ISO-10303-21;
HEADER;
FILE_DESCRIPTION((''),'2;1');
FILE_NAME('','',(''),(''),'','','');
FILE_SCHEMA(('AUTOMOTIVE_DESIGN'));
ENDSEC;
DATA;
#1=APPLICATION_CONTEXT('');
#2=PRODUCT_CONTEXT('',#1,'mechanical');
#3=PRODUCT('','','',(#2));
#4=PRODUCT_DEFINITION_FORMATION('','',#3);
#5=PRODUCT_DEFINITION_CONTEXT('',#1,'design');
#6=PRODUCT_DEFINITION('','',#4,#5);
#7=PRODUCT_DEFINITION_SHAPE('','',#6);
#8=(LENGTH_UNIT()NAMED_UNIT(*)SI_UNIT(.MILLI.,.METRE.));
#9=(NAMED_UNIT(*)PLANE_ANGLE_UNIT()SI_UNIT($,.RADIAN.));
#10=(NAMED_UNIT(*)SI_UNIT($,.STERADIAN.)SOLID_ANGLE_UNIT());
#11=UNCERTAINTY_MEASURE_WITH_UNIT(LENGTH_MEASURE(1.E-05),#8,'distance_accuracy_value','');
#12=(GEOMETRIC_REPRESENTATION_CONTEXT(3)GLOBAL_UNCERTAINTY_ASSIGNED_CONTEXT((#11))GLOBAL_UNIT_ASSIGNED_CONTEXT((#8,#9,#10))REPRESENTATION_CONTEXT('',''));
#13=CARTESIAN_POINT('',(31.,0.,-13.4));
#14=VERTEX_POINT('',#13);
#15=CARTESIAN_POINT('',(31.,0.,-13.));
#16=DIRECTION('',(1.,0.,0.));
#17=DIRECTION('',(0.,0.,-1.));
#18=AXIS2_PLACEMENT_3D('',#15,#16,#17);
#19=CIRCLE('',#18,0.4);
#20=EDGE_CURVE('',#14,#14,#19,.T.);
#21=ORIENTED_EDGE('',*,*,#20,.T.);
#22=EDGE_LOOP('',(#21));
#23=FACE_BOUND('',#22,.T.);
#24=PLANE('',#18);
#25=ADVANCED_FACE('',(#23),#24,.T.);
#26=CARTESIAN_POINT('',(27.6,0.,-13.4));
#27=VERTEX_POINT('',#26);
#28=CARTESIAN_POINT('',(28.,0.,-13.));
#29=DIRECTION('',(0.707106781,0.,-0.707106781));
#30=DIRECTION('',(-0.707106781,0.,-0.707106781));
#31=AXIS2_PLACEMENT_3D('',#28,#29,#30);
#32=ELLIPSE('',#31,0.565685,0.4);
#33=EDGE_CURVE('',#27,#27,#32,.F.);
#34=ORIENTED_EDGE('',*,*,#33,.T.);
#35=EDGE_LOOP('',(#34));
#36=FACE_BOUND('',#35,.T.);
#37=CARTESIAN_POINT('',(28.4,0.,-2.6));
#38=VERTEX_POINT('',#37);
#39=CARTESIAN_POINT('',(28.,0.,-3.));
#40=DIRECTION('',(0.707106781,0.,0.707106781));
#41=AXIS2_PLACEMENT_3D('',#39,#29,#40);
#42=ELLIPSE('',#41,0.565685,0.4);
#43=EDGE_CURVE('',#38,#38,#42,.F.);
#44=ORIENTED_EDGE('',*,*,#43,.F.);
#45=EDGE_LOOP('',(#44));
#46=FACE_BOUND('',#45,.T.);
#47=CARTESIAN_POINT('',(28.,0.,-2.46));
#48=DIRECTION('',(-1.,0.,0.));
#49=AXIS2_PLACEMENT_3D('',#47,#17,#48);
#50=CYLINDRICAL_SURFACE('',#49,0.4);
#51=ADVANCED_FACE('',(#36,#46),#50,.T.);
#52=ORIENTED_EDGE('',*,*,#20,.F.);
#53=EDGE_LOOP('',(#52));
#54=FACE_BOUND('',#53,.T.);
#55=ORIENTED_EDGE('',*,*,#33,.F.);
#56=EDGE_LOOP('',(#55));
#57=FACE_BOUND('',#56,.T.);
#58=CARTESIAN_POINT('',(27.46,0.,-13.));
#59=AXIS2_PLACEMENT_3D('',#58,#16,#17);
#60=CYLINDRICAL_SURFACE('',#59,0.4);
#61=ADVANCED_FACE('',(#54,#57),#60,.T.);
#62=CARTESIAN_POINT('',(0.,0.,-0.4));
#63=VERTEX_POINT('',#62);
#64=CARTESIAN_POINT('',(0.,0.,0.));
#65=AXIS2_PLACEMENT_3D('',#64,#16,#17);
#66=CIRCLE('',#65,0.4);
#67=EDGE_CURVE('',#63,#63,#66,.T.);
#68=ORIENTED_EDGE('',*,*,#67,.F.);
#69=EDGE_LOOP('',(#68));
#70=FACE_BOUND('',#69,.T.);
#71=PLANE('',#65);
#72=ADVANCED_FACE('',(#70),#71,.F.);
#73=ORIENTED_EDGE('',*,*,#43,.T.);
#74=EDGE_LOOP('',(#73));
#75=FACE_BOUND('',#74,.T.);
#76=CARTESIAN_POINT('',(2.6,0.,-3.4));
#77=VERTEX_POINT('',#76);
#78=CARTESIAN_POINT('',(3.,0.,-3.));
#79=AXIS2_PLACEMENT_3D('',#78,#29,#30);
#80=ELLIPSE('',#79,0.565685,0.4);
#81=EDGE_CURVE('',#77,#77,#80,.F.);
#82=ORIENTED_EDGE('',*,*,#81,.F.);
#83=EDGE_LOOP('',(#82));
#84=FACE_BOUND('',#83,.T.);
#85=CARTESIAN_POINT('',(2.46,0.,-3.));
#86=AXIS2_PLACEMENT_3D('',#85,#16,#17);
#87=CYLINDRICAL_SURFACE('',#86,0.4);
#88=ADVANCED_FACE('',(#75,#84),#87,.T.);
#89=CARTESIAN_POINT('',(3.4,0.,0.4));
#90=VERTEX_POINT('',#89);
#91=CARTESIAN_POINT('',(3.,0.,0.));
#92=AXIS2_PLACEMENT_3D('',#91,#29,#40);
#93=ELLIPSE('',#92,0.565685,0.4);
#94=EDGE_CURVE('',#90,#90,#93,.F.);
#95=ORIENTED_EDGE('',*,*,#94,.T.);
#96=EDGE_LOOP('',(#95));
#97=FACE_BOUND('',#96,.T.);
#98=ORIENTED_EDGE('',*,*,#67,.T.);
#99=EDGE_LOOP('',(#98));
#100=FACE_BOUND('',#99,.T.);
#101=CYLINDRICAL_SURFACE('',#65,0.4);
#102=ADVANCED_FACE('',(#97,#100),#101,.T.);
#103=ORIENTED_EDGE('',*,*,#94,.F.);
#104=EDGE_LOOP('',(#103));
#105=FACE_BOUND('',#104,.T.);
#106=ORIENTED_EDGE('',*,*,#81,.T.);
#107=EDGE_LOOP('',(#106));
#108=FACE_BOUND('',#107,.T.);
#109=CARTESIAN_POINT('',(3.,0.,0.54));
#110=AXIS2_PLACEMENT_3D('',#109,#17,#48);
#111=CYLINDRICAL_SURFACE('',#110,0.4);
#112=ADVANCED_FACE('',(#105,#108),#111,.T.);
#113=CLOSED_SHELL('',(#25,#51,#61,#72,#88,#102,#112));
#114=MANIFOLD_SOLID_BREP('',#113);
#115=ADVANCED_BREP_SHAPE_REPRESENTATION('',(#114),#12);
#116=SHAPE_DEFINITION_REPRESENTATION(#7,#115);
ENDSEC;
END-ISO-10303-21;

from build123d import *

# Parameters (mm, degrees)
SKETCH2_R = 0.4


with BuildPart() as part:
    # Sweep1: sweep along a path in Sketch1
    with BuildLine(Plane(origin=(0, 0, 0), x_dir=(1, 0, 0), z_dir=(0, 1, 0))) as sweep1_path:
        Line((0, 0), (3, 0))
        Line((3, 0), (3, 3))
        Line((3, 3), (28, 3))
        Line((28, 3), (28, 13))
        Line((28, 13), (31, 13))
    # Sketch2 → Sweep1 (sweep)
    with BuildSketch(Plane(origin=(0, 0, 0), x_dir=(0, 0, -1), z_dir=(1, 0, 0))):
        Circle(SKETCH2_R)
    sweep(path=sweep1_path.line, transition=Transition.RIGHT)


solid = part.part
